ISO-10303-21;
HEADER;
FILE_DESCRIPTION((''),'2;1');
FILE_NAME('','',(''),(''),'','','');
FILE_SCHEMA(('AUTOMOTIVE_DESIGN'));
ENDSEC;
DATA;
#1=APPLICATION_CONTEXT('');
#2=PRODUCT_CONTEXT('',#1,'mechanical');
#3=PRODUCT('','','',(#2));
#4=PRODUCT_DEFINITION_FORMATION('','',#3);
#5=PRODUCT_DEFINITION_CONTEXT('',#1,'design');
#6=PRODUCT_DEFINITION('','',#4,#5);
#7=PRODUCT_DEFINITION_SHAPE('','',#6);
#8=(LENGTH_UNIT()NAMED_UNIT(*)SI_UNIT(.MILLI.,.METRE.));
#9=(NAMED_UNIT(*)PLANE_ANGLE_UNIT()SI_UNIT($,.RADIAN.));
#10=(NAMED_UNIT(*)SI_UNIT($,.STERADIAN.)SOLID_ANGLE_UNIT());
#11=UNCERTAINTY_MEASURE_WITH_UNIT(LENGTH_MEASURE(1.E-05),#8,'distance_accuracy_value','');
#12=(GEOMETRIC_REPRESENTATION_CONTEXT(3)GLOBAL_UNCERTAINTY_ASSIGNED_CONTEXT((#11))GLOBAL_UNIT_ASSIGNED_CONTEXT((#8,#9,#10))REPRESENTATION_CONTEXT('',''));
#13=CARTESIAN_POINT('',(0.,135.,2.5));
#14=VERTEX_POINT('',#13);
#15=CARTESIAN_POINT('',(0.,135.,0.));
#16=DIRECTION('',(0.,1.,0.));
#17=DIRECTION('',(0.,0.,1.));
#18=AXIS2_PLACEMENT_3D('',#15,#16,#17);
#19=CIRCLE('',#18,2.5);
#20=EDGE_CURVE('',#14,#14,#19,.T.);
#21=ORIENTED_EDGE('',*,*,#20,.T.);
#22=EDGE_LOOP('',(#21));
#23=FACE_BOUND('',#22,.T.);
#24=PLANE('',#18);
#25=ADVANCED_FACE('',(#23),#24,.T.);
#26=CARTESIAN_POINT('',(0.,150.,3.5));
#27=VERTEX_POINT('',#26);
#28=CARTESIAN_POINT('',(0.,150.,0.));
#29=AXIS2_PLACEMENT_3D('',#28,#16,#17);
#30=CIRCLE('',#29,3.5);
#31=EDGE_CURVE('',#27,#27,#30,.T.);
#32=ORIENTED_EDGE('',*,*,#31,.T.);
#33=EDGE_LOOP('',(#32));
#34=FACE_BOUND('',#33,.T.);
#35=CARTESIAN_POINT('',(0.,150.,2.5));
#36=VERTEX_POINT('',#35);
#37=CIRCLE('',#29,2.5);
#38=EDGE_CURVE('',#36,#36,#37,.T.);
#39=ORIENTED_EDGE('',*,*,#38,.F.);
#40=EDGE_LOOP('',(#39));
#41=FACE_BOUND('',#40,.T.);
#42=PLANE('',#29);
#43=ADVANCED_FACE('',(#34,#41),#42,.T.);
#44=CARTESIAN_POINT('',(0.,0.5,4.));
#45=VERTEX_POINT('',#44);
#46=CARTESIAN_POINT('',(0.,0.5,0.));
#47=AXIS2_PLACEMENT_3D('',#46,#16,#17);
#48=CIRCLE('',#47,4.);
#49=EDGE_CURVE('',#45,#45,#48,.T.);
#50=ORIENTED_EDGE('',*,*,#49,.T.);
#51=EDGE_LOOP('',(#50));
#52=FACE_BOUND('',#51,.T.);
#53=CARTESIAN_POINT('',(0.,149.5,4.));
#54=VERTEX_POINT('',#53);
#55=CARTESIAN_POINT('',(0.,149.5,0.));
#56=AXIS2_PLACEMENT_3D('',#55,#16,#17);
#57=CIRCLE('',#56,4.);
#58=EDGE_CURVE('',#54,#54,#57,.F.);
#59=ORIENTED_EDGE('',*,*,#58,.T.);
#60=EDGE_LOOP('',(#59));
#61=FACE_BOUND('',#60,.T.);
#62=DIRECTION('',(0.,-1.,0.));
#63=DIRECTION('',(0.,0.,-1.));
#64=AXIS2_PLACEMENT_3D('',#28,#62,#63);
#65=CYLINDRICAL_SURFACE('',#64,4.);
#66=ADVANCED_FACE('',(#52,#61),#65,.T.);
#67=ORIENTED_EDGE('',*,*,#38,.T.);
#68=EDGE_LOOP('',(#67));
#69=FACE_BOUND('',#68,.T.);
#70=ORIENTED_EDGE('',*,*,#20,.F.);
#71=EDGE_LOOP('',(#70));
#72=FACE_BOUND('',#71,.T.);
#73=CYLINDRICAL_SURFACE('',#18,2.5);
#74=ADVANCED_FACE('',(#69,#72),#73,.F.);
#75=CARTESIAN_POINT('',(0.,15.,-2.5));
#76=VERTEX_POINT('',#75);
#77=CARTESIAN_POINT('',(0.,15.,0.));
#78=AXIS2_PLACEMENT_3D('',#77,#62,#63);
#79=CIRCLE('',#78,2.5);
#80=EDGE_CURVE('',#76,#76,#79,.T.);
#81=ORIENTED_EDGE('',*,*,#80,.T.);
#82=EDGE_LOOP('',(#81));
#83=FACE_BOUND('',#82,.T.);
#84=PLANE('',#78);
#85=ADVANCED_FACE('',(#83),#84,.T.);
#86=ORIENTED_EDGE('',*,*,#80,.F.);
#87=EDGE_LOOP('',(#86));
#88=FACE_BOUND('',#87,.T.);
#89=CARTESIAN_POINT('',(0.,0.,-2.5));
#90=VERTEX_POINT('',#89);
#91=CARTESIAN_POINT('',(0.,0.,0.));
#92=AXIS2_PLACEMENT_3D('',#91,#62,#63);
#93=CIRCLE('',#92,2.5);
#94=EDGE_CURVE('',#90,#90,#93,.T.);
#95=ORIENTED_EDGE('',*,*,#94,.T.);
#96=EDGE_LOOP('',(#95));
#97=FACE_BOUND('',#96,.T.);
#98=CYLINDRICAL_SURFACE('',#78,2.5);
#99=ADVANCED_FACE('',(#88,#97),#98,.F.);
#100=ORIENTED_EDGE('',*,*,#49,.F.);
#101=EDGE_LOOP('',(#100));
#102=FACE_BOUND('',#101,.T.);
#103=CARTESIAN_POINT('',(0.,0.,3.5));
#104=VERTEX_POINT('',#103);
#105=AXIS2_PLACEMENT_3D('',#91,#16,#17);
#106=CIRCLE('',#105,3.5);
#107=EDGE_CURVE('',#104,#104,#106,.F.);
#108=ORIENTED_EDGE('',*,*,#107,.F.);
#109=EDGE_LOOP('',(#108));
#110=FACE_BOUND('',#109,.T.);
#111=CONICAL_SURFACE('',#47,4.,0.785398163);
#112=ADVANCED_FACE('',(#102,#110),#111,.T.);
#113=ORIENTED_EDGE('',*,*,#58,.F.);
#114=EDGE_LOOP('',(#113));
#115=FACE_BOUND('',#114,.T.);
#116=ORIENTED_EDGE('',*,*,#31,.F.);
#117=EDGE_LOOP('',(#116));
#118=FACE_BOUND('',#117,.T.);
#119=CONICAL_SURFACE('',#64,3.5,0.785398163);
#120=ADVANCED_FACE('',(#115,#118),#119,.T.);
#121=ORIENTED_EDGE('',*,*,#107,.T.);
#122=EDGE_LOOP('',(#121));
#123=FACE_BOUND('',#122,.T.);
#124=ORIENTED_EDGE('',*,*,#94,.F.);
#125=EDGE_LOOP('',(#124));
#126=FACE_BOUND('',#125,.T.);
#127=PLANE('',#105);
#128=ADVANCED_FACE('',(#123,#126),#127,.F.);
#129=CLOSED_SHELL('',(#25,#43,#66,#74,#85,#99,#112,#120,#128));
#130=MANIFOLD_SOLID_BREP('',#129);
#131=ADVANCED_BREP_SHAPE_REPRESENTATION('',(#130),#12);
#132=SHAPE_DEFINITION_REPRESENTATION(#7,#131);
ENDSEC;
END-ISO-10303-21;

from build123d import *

# Parameters (mm, degrees)
ESQUISSE1_R      = 4
EXTRUSION1_DEPTH = 150
CHANFREIN1_SIZE  = 0.5
ESQUISSE2_R      = 2.5
EXTRUSION2_DEPTH = 15
ESQUISSE3_R      = 2.5
EXTRUSION3_DEPTH = 15


with BuildPart() as part:
    # Esquisse1 → Extrusion1 (new body)
    with BuildSketch(Plane(origin=(0, 0, 0), x_dir=(1, 0, 0), z_dir=(0, 1, 0))):
        Circle(ESQUISSE1_R)
    extrude(amount=EXTRUSION1_DEPTH)

    # Chanfrein1
    chanfrein1_edges = [part.edges().sort_by_distance(p)[0] for p in [
        (-4, 0, 0),
        (-4, 150, 0),
    ]]
    chamfer(chanfrein1_edges, length=CHANFREIN1_SIZE)

    # Esquisse2 → Extrusion2 (cut)
    with BuildSketch(Plane.XZ):
        Circle(ESQUISSE2_R)
    extrude(amount=-EXTRUSION2_DEPTH, mode=Mode.SUBTRACT)

    # Esquisse3 → Extrusion3 (cut)
    with BuildSketch(Plane(origin=(0, 150, 0), x_dir=(1, 0, 0), z_dir=(0, 1, 0))):
        Circle(ESQUISSE3_R)
    extrude(amount=-EXTRUSION3_DEPTH, mode=Mode.SUBTRACT)


solid = part.part
